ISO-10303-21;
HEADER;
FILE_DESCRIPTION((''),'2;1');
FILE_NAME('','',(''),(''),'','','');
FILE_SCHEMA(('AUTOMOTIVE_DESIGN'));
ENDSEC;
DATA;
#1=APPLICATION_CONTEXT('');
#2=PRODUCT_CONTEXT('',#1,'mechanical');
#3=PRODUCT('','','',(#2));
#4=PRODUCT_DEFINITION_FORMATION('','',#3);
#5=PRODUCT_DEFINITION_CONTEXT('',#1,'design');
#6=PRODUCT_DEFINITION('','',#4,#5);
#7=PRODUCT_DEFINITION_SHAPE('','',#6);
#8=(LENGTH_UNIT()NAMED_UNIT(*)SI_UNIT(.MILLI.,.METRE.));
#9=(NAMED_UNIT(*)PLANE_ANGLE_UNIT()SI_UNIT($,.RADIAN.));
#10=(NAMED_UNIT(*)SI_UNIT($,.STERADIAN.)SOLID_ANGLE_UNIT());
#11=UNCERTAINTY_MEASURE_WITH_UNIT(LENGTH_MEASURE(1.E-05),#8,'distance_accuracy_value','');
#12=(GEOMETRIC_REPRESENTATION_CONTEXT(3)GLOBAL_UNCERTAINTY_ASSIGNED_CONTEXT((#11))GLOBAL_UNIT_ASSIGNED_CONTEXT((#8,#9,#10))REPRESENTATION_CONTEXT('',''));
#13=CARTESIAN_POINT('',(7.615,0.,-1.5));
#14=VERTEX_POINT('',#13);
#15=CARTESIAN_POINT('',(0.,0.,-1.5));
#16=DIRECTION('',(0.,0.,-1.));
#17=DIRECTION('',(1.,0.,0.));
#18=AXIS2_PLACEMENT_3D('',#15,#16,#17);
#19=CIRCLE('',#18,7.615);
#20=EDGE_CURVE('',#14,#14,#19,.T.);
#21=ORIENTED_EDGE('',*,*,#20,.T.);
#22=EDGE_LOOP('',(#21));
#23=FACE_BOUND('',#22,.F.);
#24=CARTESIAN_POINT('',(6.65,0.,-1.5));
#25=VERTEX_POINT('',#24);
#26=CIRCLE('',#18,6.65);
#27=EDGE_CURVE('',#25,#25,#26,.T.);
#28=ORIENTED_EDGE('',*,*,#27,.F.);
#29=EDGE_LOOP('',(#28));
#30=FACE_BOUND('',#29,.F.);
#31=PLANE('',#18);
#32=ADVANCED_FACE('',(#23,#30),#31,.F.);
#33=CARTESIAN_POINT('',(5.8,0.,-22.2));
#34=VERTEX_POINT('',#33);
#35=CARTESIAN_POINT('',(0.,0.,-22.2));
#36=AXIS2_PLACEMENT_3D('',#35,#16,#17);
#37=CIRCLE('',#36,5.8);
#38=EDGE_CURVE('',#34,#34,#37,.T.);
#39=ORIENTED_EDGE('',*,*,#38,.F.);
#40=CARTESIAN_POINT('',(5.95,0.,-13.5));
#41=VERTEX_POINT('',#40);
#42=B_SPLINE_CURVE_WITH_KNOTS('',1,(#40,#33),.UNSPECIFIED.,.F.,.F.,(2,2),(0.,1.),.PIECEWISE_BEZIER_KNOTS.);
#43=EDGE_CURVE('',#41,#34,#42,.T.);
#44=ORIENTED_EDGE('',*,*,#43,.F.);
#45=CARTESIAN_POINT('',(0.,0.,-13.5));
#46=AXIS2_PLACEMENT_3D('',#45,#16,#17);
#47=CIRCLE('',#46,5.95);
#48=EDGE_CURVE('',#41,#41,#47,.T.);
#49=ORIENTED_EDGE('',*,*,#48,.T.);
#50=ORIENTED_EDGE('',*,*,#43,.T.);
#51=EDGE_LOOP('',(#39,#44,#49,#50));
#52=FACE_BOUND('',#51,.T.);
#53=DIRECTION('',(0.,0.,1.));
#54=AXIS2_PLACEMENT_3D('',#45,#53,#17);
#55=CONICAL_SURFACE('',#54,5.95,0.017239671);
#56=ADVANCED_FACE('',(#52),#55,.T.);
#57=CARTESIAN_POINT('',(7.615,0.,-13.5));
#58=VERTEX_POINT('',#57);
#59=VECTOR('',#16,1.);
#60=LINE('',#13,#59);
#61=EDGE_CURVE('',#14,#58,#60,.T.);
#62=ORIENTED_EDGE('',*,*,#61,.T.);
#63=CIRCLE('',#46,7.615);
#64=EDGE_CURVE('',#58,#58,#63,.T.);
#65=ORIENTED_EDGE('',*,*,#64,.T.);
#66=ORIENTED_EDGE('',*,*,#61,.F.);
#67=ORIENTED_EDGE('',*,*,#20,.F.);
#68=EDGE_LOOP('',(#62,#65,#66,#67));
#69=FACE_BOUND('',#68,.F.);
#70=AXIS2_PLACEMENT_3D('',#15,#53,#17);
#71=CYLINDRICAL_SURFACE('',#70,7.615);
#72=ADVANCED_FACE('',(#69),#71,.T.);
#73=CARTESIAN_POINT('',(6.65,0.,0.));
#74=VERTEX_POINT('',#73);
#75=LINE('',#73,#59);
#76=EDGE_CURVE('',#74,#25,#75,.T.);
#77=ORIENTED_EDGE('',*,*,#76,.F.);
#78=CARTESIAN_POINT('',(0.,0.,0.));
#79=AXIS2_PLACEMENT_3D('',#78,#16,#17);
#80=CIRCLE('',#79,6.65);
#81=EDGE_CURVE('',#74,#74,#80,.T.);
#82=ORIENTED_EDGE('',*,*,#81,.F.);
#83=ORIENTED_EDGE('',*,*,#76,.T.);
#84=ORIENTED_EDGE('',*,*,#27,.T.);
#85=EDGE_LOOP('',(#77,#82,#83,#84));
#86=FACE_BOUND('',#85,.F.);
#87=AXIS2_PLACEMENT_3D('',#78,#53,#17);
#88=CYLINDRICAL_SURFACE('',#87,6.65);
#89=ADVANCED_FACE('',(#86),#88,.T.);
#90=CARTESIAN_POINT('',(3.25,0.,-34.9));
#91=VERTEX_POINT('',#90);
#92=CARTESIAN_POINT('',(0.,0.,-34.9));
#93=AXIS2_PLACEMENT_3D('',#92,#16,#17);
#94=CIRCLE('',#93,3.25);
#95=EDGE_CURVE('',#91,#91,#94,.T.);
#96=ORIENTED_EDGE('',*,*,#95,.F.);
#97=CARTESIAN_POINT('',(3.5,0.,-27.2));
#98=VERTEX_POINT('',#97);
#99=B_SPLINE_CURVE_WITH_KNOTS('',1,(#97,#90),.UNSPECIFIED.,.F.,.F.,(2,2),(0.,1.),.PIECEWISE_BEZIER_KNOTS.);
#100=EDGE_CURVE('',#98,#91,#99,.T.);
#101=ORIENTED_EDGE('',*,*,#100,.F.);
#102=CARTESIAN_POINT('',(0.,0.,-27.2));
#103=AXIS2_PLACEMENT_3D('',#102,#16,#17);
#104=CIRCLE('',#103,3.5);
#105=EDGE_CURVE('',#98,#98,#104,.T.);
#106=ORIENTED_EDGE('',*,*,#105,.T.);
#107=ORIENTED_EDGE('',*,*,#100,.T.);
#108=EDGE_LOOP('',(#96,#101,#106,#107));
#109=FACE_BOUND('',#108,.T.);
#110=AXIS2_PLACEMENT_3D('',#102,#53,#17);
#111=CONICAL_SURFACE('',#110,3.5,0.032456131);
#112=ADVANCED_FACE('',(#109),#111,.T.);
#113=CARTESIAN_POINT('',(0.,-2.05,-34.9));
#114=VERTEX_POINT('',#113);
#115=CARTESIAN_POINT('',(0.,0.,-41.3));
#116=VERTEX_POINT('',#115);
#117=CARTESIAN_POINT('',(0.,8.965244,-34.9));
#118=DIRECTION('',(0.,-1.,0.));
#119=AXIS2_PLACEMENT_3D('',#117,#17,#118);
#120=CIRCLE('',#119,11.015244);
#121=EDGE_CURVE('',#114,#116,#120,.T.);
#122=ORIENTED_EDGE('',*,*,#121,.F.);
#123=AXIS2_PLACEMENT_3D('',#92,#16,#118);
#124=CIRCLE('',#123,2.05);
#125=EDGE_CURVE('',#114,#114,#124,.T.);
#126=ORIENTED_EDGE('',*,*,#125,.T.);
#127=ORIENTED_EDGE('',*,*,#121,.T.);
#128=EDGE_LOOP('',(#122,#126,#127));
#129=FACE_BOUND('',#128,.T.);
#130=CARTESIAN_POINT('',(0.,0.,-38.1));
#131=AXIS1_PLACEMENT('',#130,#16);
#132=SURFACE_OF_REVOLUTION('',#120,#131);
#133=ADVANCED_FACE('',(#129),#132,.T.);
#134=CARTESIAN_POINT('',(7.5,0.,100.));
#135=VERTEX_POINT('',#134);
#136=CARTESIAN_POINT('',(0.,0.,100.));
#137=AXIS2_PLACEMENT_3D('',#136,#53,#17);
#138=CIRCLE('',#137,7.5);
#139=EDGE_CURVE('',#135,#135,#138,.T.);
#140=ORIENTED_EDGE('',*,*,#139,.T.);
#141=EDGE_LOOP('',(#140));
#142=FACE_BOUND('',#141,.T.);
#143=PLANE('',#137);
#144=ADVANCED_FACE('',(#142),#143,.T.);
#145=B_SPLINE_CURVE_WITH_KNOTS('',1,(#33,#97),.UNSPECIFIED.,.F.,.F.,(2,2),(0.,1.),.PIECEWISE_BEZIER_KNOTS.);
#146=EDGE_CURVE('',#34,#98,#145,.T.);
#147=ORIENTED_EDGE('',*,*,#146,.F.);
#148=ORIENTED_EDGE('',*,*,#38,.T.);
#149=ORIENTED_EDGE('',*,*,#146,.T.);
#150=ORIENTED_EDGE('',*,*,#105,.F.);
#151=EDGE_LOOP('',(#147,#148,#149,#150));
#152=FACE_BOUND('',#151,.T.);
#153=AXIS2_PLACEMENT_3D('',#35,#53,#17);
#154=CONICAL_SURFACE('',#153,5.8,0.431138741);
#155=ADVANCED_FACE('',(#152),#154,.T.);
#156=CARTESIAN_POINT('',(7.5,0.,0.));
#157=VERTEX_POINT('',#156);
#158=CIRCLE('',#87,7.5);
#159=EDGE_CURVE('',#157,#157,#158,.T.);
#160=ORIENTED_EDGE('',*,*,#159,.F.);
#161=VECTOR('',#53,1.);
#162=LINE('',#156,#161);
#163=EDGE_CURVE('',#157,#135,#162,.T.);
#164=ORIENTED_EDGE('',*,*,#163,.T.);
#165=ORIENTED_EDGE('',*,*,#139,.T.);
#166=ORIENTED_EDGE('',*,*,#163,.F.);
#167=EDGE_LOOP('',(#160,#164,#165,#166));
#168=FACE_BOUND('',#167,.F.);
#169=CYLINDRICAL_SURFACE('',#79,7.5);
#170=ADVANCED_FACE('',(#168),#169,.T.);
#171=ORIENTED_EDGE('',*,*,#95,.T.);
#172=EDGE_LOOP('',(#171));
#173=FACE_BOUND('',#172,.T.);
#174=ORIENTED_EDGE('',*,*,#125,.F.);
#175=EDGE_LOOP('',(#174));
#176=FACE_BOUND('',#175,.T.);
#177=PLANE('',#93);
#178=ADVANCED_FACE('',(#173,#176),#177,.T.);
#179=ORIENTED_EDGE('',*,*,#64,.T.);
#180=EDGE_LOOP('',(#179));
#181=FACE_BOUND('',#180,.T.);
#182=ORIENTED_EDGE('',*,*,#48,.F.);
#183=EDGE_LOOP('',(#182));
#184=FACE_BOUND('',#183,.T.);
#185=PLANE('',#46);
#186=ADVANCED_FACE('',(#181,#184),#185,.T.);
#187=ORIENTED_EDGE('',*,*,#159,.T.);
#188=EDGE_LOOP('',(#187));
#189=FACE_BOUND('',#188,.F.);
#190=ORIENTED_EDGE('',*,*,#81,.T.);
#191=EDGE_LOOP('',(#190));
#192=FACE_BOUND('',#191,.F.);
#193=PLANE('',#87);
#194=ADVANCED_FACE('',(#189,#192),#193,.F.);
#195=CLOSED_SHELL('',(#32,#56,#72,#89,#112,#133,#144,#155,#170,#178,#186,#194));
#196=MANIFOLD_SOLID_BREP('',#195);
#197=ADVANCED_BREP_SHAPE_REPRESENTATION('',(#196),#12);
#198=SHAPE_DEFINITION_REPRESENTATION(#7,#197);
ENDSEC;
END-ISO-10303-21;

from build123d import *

# Parameters (mm, degrees)
F0_R       = 7.5
F1_DEPTH   = 100
F2_R       = 6.65
F3_DEPTH   = 1.5
F4_R       = 7.615
F5_DEPTH   = 12
F6_R       = 5.95
F8_R       = 5.8
F9_FACE_R  = 5.8
F11_R      = 3.5
F12_FACE_R = 3.5
F14_R      = 3.25


with BuildPart() as f1:
    # F0 (on Top) → F1 (new body)
    with BuildSketch(Plane.XY):
        Circle(F0_R)
    extrude(amount=F1_DEPTH)

    # F2 (on face) → F3 (join)
    with BuildSketch(Plane(origin=(0, 0, 0), x_dir=(1, 0, 0), z_dir=(0, 0, -1))):
        Circle(F2_R)
    extrude(amount=F3_DEPTH)

    # F4 (on face) → F5 (join)
    with BuildSketch(Plane(origin=(0, 0, -1.5), x_dir=(1, 0, 0), z_dir=(0, 0, -1))):
        Circle(F4_R)
    extrude(amount=F5_DEPTH)

    # F6 (on face) → F9 section 0
    with BuildSketch(Plane(origin=(0, 0, -13.5), x_dir=(1, 0, 0), z_dir=(0, 0, -1))):
        Circle(F6_R)
    # F8 (on offset) → F9 section 1
    with BuildSketch(Plane(origin=(0, 0, -22.2), x_dir=(1, 0, 0), z_dir=(0, 0, -1))):
        Circle(F8_R)
    loft()

    # F9_face (on face) → F12 section 0
    with BuildSketch(Plane(origin=(0, 0, -22.2), x_dir=(1, 0, 0), z_dir=(0, 0, -1))):
        Circle(F9_FACE_R)
    # F11 (on offset) → F12 section 1
    with BuildSketch(Plane(origin=(0, 0, -27.2), x_dir=(1, 0, 0), z_dir=(0, 0, -1))):
        Circle(F11_R)
    loft()

    # F12_face (on face) → F15 section 0
    with BuildSketch(Plane(origin=(0, 0, -27.2), x_dir=(1, 0, 0), z_dir=(0, 0, -1))):
        Circle(F12_FACE_R)
    # F14 (on offset) → F15 section 1
    with BuildSketch(Plane(origin=(0, 0, -34.9), x_dir=(1, 0, 0), z_dir=(0, 0, -1))):
        Circle(F14_R)
    loft()

    # F16 (on Right) → F17 (revolve)
    with BuildSketch(Plane.YZ):
        with BuildLine():
            Line((0, -34.9), (-2.05, -34.9))
            ThreePointArc((-2.05, -34.9), (-1.5249883748, -38.2601525263), (0, -41.3))
            Line((0, -41.3), (0, -34.9))
        make_face()
    revolve(axis=Axis((0, 0, -38.1), (0, 0, -1)))


solid = f1.part
